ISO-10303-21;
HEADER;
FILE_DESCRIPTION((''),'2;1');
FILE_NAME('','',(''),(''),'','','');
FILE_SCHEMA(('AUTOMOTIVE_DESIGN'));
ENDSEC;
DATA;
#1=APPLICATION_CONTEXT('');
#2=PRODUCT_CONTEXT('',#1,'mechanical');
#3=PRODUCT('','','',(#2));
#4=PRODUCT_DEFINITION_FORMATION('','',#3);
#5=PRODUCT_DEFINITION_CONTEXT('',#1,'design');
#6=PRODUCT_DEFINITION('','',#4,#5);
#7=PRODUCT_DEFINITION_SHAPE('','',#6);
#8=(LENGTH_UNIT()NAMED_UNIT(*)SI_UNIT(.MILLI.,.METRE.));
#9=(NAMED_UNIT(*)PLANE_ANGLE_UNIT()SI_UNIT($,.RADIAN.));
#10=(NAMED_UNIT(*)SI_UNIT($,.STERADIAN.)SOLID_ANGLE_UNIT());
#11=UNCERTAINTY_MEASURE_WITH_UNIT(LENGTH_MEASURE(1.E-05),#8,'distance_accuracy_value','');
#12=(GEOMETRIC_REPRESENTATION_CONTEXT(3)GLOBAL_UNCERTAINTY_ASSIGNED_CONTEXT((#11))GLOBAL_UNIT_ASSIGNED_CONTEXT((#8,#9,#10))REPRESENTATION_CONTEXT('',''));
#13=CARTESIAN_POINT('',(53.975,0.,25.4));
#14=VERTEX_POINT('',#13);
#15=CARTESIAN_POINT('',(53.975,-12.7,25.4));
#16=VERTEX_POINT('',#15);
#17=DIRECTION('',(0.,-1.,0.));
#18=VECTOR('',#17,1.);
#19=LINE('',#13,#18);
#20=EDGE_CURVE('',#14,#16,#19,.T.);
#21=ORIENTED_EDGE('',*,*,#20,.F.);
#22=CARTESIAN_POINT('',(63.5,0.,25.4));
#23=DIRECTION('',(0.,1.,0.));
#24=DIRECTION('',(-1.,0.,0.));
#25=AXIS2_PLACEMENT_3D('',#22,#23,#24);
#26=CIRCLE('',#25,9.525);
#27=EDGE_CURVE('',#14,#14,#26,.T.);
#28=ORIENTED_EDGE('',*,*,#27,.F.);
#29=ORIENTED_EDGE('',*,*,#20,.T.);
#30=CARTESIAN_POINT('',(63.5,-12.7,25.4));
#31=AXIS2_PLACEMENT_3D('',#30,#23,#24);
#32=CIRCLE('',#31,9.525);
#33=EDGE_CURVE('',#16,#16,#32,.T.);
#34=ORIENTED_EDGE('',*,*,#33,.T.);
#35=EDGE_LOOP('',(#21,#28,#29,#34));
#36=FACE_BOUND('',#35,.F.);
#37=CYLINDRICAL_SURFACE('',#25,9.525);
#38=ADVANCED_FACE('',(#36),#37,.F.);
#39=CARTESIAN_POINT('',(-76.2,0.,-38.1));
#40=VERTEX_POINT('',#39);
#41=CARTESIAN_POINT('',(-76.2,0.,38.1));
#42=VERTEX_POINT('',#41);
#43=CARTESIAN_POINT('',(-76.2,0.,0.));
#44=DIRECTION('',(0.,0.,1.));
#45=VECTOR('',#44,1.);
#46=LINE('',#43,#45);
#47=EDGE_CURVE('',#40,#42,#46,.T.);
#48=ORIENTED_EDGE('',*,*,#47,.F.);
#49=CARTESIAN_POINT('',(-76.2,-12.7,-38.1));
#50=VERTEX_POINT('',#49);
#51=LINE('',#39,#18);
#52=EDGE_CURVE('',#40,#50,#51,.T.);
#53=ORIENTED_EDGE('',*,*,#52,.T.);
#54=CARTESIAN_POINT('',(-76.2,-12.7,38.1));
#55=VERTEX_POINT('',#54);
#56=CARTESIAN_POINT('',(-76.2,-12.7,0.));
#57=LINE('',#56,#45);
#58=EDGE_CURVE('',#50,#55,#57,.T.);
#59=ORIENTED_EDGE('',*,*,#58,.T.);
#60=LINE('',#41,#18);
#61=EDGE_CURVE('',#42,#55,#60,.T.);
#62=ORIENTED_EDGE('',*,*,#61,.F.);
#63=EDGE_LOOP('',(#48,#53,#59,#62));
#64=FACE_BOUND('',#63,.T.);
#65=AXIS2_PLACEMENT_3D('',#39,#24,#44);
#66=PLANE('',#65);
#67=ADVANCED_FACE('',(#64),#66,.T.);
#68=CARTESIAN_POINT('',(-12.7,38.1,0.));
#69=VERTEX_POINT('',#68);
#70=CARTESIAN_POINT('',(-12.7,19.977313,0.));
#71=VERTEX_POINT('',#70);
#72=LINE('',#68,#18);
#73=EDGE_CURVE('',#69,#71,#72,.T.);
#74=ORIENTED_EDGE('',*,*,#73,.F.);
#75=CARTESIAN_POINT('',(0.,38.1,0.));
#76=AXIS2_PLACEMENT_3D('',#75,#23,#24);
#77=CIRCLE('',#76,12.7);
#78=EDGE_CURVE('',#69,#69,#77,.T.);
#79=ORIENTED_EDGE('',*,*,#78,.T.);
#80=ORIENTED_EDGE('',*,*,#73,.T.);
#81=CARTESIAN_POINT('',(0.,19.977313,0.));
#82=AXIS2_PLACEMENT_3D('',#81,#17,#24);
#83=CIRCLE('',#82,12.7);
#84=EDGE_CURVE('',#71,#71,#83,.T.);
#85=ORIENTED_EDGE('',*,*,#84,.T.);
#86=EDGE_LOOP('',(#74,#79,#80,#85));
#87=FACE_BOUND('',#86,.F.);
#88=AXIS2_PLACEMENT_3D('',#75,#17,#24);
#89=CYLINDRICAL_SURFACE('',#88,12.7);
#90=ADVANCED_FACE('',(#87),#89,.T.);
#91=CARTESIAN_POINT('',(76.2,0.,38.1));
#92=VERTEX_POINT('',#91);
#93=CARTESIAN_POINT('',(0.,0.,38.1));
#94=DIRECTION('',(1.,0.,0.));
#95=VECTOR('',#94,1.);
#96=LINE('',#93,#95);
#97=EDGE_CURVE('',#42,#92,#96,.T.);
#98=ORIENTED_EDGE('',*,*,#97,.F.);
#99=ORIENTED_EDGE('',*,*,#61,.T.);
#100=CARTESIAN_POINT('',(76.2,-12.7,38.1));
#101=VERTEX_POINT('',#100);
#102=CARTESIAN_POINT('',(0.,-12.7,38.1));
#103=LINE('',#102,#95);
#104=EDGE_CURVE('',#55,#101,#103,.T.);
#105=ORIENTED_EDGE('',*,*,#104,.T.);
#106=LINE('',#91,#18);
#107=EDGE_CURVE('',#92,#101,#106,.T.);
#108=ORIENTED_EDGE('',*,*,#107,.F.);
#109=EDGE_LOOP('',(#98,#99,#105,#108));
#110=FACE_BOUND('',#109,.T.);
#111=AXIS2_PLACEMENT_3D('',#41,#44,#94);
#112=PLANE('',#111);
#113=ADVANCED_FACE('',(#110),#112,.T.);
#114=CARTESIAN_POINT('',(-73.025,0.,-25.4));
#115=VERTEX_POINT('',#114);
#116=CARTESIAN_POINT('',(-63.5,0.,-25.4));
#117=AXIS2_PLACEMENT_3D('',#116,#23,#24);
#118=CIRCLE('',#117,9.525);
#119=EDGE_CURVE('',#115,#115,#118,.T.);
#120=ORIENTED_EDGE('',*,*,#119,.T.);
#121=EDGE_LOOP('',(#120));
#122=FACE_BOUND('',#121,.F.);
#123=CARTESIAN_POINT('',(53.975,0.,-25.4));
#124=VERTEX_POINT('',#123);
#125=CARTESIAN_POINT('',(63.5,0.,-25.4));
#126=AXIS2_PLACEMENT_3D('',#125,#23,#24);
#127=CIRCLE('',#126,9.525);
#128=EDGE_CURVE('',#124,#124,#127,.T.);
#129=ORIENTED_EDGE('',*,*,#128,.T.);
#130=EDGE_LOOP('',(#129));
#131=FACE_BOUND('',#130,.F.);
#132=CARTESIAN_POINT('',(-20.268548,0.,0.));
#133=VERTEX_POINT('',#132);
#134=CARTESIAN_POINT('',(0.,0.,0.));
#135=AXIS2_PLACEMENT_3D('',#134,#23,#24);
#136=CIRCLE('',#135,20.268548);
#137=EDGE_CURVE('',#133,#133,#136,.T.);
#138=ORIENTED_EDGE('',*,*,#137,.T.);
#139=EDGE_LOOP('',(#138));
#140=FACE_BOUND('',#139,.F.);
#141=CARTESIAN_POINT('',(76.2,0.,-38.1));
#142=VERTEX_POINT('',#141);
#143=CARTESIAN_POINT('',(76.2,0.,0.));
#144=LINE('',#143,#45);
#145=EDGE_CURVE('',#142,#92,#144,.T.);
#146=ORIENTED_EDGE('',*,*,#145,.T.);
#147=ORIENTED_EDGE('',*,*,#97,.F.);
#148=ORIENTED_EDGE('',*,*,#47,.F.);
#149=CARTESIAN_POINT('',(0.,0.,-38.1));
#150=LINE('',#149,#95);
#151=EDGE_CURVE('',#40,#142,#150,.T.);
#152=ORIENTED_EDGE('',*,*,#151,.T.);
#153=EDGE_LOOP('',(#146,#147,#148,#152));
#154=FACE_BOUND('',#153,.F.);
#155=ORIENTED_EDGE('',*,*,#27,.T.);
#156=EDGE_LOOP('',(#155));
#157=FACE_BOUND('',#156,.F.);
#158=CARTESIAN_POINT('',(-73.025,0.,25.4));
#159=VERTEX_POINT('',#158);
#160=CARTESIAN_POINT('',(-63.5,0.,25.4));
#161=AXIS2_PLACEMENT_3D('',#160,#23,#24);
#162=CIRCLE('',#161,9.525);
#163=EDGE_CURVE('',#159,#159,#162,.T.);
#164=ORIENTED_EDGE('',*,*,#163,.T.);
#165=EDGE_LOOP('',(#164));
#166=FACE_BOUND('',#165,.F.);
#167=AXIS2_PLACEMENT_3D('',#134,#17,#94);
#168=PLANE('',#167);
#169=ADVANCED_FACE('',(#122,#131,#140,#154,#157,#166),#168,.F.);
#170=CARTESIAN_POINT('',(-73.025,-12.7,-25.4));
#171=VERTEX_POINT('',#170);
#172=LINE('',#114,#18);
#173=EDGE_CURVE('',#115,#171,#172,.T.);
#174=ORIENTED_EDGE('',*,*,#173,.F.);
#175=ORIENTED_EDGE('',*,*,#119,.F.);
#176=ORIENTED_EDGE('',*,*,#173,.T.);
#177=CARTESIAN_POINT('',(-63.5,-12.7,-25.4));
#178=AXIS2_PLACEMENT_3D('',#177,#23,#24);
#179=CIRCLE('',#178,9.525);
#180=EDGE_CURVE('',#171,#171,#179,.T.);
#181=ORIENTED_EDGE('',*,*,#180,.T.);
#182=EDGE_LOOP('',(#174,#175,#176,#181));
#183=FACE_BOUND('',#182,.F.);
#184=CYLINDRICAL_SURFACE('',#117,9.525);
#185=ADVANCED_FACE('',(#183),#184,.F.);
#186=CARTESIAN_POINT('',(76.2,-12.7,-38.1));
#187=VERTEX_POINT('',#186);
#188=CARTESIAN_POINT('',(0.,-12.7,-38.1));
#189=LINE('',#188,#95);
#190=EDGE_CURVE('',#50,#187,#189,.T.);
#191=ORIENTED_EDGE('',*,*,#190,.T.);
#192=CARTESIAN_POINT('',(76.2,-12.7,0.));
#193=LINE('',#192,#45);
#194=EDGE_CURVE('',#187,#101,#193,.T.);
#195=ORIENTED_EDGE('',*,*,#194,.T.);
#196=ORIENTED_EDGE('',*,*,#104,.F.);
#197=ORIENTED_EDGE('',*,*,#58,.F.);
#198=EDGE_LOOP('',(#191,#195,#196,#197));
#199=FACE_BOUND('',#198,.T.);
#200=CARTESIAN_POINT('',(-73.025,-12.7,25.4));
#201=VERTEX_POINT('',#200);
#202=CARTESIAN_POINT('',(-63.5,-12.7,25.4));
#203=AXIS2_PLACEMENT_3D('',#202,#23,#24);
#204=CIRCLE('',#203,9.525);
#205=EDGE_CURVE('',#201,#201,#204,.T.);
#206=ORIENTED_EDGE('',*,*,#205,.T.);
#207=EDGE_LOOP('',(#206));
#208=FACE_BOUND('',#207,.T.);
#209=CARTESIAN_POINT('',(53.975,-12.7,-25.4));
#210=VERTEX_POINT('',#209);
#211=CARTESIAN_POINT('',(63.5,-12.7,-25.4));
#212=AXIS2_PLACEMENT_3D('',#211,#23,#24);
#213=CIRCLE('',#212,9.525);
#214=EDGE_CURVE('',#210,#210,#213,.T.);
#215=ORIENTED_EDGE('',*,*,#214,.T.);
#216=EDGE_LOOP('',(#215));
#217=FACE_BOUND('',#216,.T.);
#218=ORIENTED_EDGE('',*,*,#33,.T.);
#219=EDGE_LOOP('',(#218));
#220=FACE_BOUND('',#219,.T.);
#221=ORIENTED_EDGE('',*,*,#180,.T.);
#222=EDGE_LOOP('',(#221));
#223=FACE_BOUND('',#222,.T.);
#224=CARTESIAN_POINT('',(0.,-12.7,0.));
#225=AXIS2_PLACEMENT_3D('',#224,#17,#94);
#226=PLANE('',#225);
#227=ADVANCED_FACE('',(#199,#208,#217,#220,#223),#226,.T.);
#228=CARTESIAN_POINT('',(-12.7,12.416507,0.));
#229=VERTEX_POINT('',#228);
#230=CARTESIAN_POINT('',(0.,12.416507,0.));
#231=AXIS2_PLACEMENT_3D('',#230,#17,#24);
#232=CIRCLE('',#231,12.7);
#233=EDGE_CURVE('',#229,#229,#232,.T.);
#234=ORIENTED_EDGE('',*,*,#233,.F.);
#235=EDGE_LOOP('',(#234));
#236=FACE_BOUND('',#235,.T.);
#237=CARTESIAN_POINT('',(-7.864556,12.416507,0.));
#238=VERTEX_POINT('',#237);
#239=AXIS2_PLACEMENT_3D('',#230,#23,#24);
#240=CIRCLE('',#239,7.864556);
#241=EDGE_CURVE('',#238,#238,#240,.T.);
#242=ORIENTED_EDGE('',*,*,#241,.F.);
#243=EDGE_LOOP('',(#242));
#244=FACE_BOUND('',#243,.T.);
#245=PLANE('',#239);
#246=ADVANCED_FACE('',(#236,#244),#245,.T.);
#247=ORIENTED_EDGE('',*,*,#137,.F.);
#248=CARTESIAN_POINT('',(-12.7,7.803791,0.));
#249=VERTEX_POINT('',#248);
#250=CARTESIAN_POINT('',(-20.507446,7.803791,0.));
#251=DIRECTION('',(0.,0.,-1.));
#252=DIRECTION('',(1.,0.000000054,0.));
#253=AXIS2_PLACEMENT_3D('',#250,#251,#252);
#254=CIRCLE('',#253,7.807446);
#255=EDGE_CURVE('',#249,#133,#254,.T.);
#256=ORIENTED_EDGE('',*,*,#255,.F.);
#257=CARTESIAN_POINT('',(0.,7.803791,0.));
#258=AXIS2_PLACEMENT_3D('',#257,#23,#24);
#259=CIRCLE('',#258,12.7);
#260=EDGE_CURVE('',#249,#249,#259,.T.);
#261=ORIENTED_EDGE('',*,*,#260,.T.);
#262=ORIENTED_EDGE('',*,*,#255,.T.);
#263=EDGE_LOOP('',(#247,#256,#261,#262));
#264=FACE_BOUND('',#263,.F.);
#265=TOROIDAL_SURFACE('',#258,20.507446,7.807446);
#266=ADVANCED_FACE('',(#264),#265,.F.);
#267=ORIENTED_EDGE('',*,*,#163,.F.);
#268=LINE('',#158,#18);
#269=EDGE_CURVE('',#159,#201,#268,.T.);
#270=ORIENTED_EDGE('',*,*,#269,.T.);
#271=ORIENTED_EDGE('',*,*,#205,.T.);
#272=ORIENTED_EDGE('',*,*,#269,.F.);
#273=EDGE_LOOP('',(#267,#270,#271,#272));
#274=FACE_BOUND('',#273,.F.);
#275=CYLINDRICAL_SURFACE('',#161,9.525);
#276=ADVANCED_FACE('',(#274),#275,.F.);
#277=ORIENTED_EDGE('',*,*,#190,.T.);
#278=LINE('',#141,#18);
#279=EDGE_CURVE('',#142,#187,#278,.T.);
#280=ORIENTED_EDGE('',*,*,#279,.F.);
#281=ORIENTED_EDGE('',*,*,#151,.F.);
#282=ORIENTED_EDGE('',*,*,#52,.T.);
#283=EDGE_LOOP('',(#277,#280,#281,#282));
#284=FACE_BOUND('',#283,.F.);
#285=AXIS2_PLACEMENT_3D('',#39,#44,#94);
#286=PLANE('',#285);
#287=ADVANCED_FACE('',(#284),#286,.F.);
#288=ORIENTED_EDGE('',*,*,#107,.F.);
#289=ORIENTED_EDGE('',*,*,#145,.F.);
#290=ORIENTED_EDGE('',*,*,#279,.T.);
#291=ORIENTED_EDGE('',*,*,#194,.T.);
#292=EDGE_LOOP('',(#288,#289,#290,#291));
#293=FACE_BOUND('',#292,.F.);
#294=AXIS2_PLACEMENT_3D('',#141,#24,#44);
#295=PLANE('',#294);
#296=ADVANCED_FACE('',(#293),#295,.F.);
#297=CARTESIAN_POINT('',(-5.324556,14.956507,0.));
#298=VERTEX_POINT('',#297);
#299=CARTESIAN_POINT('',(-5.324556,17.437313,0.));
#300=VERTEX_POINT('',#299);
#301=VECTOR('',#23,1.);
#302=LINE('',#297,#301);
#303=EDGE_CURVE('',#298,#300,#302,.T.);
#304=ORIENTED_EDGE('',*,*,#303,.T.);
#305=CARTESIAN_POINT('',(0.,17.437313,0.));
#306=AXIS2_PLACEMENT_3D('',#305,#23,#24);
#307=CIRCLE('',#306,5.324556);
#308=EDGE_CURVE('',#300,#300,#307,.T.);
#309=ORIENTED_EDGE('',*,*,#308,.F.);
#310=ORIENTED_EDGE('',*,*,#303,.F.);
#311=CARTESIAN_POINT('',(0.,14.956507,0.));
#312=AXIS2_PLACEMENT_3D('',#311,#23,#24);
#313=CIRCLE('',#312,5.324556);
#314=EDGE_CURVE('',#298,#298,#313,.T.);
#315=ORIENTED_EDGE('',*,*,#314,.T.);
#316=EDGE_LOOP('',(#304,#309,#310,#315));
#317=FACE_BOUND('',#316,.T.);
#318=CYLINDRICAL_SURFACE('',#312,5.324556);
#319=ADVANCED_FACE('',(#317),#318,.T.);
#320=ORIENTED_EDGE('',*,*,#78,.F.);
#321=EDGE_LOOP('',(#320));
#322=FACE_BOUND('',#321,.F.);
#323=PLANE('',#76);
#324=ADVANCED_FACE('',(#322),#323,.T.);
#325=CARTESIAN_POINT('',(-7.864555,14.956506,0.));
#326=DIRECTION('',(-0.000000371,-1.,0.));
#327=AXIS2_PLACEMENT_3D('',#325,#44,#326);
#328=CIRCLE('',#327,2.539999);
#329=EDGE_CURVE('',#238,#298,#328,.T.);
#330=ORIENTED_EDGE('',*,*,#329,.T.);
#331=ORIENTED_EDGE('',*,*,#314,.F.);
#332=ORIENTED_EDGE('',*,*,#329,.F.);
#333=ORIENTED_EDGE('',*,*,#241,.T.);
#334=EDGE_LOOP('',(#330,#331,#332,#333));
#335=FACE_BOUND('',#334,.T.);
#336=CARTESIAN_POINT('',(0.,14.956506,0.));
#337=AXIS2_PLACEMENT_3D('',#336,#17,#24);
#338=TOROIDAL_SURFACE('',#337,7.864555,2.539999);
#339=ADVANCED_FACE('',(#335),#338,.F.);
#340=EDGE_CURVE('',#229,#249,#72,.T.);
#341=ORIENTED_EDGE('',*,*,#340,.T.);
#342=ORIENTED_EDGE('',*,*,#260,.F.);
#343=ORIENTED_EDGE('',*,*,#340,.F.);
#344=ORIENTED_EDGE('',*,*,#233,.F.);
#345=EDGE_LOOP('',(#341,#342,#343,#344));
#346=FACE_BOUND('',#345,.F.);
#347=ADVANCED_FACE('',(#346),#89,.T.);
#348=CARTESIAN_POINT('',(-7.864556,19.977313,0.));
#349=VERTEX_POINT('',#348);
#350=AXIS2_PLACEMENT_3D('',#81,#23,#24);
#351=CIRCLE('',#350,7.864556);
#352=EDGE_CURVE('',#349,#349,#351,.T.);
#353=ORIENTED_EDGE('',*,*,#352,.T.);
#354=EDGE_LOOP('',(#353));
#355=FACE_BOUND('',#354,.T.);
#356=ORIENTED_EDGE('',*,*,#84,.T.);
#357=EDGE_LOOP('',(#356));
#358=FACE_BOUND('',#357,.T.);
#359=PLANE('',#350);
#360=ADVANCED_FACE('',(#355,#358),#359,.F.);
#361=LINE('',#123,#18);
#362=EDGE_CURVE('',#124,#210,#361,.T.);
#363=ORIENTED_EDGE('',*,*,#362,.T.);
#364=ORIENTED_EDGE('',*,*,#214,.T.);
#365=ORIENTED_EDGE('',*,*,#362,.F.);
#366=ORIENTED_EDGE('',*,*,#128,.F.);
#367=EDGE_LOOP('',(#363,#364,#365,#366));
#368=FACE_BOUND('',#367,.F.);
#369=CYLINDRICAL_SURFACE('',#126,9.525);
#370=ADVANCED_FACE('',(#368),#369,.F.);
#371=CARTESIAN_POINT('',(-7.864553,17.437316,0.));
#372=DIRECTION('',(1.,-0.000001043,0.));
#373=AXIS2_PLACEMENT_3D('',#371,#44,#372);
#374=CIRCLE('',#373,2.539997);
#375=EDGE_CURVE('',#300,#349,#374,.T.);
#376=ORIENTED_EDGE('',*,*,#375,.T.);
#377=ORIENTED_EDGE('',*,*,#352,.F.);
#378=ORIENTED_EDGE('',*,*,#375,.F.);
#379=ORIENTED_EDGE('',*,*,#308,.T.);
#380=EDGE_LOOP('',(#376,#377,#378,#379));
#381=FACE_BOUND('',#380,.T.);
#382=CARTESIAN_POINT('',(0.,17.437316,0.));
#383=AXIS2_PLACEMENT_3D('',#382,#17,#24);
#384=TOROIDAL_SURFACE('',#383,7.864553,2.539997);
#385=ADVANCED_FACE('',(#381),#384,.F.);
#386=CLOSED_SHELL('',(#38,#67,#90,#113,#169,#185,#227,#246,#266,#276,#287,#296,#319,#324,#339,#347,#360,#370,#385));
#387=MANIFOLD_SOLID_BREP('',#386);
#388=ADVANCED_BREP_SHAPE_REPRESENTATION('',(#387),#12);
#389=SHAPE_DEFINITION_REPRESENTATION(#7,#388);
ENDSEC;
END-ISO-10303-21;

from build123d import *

# Parameters (mm, degrees)
F0_W     = 152.4
F0_H     = 76.2
F1_DEPTH = 12.7
F2_R     = 9.525
F3_DEPTH = 12.701


with BuildPart() as f1:
    # F0 (on Front) → F1 (new body)
    with BuildSketch(Plane.XZ):
        Rectangle(F0_W, F0_H)
    extrude(amount=F1_DEPTH)

    # F2 (on face) → F3 (cut, through all)
    with BuildSketch(Plane(origin=(0, 0, 0), x_dir=(-1, 0, 0), z_dir=(0, 1, 0))):
        with Locations((63.5, 25.4)):
            Circle(F2_R)
        with Locations((63.5, -25.4)):
            Circle(F2_R)
        with Locations((-63.5, -25.4)):
            Circle(F2_R)
        with Locations((-63.5, 25.4)):
            Circle(F2_R)
    extrude(amount=-F3_DEPTH, mode=Mode.SUBTRACT)

    # F4 (on Top) → F5 (revolve)
    with BuildSketch(Plane.XY):
        with BuildLine():
            ThreePointArc((-20.746347, 0), (-20.507447, -0.003656), (-20.268548, 0))
            Line((-20.268548, 0), (-20.746347, 0))
        make_face()
        Polygon((-12.7, 0), (0, 0), (0, 38.1), (-12.7, 38.1), (-12.7, 7.803791), align=None)
        with BuildLine():
            Line((-20.268548, 0), (-12.7, 0))
            Line((-12.7, 0), (-12.7, 7.803791))
            ThreePointArc((-12.7, 7.803791), (-14.902921, 2.368212), (-20.268548, 0))
        make_face()
    revolve(axis=Axis((0, 19.05, 0), (0, 1, 0)))

    # F6 (on Top) → F7 (revolve, cut)
    with BuildSketch(Plane.XY):
        with BuildLine():
            Line((-15.973667, 12.416507), (-7.864556, 12.416507))
            ThreePointArc((-7.864556, 12.416507), (-6.068504, 13.160456), (-5.324556, 14.956507))
            Line((-5.324556, 14.956507), (-5.324556, 17.437313))
            ThreePointArc((-5.324556, 17.437313), (-6.068504, 19.233365), (-7.864556, 19.977313))
            Line((-7.864556, 19.977313), (-15.973667, 19.977313))
            Line((-15.973667, 19.977313), (-15.973667, 12.416507))
        make_face()
    revolve(axis=Axis((0, 8.098455, 0), (0, 1, 0)), mode=Mode.SUBTRACT)


solid = f1.part
